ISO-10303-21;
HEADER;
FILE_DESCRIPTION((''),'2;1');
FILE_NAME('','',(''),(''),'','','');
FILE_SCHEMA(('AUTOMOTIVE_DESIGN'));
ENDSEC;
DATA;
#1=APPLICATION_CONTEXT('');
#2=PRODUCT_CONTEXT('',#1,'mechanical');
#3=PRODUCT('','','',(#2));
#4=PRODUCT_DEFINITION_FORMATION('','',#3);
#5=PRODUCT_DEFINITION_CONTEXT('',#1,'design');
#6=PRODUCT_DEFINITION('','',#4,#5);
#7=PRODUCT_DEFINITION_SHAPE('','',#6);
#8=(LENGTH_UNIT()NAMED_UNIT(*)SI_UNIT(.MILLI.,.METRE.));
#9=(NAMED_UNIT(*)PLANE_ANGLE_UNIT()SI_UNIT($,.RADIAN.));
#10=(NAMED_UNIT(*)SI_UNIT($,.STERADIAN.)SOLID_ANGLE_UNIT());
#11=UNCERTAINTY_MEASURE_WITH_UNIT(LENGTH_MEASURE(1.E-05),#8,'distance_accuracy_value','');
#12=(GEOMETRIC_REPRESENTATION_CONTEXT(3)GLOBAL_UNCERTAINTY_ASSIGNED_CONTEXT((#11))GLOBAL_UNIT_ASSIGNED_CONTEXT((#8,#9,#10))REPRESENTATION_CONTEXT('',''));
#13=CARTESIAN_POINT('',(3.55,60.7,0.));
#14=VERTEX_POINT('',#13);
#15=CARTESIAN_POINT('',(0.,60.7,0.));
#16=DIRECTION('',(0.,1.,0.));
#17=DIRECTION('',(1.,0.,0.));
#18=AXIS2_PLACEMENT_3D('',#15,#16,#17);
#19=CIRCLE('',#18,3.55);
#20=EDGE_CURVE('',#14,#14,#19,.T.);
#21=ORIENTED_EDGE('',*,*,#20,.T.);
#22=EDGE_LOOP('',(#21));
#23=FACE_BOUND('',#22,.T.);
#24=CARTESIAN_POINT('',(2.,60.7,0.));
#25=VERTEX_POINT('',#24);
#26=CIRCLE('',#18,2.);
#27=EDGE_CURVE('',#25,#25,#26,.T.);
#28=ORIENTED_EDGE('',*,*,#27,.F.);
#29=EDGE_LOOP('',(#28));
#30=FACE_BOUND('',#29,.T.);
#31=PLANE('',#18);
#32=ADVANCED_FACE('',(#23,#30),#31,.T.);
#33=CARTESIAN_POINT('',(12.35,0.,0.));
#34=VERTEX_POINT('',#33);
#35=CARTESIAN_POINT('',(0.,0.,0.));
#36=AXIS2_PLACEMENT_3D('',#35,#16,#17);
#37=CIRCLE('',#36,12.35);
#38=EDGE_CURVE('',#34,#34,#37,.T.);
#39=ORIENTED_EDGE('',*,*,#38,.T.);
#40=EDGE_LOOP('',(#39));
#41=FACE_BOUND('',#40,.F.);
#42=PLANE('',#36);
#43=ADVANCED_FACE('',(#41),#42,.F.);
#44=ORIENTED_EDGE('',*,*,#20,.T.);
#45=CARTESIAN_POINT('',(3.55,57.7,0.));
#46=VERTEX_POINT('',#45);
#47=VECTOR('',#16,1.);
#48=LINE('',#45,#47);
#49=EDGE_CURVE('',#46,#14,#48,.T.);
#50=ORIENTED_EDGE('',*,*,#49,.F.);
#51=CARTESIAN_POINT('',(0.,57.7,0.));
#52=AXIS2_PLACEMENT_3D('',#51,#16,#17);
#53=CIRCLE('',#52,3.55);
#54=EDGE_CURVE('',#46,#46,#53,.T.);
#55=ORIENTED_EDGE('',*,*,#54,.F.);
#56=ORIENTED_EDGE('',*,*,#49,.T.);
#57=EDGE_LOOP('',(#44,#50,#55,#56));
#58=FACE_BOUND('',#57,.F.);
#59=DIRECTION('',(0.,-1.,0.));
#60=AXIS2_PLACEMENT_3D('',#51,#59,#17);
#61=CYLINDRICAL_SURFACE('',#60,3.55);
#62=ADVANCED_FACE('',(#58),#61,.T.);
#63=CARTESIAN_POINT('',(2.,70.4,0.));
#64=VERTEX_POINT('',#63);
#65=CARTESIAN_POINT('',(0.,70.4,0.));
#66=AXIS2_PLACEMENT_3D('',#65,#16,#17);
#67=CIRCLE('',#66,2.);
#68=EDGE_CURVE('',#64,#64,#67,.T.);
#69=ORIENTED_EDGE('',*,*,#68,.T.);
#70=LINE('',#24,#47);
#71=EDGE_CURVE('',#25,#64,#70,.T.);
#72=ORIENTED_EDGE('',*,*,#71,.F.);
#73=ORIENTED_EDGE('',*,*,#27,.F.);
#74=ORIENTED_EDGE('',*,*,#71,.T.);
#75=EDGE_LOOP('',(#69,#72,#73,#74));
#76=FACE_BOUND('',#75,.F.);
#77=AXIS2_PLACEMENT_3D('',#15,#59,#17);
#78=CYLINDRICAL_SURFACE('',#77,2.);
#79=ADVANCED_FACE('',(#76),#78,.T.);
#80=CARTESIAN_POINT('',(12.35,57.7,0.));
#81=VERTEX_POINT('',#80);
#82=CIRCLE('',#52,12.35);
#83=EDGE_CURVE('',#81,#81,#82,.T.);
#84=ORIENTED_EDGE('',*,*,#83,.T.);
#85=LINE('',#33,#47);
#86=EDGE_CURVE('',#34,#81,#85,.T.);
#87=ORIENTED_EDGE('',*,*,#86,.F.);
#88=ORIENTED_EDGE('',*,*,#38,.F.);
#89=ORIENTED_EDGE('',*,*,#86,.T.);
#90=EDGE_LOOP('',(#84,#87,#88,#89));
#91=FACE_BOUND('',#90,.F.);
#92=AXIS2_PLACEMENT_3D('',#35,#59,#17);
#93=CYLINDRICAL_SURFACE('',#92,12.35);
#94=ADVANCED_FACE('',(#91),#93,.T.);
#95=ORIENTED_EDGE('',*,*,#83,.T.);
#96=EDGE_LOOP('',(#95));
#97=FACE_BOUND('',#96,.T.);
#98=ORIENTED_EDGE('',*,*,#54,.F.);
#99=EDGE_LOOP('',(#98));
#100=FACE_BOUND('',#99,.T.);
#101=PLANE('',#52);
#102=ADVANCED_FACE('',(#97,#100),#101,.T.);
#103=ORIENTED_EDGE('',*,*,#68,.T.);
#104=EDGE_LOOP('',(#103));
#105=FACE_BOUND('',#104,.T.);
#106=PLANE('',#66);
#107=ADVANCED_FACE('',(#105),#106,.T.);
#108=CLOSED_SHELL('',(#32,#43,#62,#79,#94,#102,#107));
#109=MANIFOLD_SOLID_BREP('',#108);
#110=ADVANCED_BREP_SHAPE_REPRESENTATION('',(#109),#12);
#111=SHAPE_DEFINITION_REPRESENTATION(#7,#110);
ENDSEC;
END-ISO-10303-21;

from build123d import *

# Parameters (mm, degrees)
SKETCH1_R           = 12.35
BOSS_EXTRUDE1_DEPTH = 57.7
SKETCH2_R           = 3.55
BOSS_EXTRUDE2_DEPTH = 3
SKETCH3_R           = 2
BOSS_EXTRUDE3_DEPTH = 9.7


with BuildPart() as part:
    # Sketch1 → Boss-Extrude1 (new body)
    with BuildSketch(Plane(origin=(0, 0, 0), x_dir=(1, 0, 0), z_dir=(0, 1, 0))):
        Circle(SKETCH1_R)
    extrude(amount=BOSS_EXTRUDE1_DEPTH)

    # Sketch2 → Boss-Extrude2 (add)
    with BuildSketch(Plane(origin=(0, 57.7, 0), x_dir=(1, 0, 0), z_dir=(0, 1, 0))):
        Circle(SKETCH2_R)
    extrude(amount=BOSS_EXTRUDE2_DEPTH)

    # Sketch3 → Boss-Extrude3 (add)
    with BuildSketch(Plane(origin=(0, 60.7, 0), x_dir=(1, 0, 0), z_dir=(0, 1, 0))):
        Circle(SKETCH3_R)
    extrude(amount=BOSS_EXTRUDE3_DEPTH)


solid = part.part
